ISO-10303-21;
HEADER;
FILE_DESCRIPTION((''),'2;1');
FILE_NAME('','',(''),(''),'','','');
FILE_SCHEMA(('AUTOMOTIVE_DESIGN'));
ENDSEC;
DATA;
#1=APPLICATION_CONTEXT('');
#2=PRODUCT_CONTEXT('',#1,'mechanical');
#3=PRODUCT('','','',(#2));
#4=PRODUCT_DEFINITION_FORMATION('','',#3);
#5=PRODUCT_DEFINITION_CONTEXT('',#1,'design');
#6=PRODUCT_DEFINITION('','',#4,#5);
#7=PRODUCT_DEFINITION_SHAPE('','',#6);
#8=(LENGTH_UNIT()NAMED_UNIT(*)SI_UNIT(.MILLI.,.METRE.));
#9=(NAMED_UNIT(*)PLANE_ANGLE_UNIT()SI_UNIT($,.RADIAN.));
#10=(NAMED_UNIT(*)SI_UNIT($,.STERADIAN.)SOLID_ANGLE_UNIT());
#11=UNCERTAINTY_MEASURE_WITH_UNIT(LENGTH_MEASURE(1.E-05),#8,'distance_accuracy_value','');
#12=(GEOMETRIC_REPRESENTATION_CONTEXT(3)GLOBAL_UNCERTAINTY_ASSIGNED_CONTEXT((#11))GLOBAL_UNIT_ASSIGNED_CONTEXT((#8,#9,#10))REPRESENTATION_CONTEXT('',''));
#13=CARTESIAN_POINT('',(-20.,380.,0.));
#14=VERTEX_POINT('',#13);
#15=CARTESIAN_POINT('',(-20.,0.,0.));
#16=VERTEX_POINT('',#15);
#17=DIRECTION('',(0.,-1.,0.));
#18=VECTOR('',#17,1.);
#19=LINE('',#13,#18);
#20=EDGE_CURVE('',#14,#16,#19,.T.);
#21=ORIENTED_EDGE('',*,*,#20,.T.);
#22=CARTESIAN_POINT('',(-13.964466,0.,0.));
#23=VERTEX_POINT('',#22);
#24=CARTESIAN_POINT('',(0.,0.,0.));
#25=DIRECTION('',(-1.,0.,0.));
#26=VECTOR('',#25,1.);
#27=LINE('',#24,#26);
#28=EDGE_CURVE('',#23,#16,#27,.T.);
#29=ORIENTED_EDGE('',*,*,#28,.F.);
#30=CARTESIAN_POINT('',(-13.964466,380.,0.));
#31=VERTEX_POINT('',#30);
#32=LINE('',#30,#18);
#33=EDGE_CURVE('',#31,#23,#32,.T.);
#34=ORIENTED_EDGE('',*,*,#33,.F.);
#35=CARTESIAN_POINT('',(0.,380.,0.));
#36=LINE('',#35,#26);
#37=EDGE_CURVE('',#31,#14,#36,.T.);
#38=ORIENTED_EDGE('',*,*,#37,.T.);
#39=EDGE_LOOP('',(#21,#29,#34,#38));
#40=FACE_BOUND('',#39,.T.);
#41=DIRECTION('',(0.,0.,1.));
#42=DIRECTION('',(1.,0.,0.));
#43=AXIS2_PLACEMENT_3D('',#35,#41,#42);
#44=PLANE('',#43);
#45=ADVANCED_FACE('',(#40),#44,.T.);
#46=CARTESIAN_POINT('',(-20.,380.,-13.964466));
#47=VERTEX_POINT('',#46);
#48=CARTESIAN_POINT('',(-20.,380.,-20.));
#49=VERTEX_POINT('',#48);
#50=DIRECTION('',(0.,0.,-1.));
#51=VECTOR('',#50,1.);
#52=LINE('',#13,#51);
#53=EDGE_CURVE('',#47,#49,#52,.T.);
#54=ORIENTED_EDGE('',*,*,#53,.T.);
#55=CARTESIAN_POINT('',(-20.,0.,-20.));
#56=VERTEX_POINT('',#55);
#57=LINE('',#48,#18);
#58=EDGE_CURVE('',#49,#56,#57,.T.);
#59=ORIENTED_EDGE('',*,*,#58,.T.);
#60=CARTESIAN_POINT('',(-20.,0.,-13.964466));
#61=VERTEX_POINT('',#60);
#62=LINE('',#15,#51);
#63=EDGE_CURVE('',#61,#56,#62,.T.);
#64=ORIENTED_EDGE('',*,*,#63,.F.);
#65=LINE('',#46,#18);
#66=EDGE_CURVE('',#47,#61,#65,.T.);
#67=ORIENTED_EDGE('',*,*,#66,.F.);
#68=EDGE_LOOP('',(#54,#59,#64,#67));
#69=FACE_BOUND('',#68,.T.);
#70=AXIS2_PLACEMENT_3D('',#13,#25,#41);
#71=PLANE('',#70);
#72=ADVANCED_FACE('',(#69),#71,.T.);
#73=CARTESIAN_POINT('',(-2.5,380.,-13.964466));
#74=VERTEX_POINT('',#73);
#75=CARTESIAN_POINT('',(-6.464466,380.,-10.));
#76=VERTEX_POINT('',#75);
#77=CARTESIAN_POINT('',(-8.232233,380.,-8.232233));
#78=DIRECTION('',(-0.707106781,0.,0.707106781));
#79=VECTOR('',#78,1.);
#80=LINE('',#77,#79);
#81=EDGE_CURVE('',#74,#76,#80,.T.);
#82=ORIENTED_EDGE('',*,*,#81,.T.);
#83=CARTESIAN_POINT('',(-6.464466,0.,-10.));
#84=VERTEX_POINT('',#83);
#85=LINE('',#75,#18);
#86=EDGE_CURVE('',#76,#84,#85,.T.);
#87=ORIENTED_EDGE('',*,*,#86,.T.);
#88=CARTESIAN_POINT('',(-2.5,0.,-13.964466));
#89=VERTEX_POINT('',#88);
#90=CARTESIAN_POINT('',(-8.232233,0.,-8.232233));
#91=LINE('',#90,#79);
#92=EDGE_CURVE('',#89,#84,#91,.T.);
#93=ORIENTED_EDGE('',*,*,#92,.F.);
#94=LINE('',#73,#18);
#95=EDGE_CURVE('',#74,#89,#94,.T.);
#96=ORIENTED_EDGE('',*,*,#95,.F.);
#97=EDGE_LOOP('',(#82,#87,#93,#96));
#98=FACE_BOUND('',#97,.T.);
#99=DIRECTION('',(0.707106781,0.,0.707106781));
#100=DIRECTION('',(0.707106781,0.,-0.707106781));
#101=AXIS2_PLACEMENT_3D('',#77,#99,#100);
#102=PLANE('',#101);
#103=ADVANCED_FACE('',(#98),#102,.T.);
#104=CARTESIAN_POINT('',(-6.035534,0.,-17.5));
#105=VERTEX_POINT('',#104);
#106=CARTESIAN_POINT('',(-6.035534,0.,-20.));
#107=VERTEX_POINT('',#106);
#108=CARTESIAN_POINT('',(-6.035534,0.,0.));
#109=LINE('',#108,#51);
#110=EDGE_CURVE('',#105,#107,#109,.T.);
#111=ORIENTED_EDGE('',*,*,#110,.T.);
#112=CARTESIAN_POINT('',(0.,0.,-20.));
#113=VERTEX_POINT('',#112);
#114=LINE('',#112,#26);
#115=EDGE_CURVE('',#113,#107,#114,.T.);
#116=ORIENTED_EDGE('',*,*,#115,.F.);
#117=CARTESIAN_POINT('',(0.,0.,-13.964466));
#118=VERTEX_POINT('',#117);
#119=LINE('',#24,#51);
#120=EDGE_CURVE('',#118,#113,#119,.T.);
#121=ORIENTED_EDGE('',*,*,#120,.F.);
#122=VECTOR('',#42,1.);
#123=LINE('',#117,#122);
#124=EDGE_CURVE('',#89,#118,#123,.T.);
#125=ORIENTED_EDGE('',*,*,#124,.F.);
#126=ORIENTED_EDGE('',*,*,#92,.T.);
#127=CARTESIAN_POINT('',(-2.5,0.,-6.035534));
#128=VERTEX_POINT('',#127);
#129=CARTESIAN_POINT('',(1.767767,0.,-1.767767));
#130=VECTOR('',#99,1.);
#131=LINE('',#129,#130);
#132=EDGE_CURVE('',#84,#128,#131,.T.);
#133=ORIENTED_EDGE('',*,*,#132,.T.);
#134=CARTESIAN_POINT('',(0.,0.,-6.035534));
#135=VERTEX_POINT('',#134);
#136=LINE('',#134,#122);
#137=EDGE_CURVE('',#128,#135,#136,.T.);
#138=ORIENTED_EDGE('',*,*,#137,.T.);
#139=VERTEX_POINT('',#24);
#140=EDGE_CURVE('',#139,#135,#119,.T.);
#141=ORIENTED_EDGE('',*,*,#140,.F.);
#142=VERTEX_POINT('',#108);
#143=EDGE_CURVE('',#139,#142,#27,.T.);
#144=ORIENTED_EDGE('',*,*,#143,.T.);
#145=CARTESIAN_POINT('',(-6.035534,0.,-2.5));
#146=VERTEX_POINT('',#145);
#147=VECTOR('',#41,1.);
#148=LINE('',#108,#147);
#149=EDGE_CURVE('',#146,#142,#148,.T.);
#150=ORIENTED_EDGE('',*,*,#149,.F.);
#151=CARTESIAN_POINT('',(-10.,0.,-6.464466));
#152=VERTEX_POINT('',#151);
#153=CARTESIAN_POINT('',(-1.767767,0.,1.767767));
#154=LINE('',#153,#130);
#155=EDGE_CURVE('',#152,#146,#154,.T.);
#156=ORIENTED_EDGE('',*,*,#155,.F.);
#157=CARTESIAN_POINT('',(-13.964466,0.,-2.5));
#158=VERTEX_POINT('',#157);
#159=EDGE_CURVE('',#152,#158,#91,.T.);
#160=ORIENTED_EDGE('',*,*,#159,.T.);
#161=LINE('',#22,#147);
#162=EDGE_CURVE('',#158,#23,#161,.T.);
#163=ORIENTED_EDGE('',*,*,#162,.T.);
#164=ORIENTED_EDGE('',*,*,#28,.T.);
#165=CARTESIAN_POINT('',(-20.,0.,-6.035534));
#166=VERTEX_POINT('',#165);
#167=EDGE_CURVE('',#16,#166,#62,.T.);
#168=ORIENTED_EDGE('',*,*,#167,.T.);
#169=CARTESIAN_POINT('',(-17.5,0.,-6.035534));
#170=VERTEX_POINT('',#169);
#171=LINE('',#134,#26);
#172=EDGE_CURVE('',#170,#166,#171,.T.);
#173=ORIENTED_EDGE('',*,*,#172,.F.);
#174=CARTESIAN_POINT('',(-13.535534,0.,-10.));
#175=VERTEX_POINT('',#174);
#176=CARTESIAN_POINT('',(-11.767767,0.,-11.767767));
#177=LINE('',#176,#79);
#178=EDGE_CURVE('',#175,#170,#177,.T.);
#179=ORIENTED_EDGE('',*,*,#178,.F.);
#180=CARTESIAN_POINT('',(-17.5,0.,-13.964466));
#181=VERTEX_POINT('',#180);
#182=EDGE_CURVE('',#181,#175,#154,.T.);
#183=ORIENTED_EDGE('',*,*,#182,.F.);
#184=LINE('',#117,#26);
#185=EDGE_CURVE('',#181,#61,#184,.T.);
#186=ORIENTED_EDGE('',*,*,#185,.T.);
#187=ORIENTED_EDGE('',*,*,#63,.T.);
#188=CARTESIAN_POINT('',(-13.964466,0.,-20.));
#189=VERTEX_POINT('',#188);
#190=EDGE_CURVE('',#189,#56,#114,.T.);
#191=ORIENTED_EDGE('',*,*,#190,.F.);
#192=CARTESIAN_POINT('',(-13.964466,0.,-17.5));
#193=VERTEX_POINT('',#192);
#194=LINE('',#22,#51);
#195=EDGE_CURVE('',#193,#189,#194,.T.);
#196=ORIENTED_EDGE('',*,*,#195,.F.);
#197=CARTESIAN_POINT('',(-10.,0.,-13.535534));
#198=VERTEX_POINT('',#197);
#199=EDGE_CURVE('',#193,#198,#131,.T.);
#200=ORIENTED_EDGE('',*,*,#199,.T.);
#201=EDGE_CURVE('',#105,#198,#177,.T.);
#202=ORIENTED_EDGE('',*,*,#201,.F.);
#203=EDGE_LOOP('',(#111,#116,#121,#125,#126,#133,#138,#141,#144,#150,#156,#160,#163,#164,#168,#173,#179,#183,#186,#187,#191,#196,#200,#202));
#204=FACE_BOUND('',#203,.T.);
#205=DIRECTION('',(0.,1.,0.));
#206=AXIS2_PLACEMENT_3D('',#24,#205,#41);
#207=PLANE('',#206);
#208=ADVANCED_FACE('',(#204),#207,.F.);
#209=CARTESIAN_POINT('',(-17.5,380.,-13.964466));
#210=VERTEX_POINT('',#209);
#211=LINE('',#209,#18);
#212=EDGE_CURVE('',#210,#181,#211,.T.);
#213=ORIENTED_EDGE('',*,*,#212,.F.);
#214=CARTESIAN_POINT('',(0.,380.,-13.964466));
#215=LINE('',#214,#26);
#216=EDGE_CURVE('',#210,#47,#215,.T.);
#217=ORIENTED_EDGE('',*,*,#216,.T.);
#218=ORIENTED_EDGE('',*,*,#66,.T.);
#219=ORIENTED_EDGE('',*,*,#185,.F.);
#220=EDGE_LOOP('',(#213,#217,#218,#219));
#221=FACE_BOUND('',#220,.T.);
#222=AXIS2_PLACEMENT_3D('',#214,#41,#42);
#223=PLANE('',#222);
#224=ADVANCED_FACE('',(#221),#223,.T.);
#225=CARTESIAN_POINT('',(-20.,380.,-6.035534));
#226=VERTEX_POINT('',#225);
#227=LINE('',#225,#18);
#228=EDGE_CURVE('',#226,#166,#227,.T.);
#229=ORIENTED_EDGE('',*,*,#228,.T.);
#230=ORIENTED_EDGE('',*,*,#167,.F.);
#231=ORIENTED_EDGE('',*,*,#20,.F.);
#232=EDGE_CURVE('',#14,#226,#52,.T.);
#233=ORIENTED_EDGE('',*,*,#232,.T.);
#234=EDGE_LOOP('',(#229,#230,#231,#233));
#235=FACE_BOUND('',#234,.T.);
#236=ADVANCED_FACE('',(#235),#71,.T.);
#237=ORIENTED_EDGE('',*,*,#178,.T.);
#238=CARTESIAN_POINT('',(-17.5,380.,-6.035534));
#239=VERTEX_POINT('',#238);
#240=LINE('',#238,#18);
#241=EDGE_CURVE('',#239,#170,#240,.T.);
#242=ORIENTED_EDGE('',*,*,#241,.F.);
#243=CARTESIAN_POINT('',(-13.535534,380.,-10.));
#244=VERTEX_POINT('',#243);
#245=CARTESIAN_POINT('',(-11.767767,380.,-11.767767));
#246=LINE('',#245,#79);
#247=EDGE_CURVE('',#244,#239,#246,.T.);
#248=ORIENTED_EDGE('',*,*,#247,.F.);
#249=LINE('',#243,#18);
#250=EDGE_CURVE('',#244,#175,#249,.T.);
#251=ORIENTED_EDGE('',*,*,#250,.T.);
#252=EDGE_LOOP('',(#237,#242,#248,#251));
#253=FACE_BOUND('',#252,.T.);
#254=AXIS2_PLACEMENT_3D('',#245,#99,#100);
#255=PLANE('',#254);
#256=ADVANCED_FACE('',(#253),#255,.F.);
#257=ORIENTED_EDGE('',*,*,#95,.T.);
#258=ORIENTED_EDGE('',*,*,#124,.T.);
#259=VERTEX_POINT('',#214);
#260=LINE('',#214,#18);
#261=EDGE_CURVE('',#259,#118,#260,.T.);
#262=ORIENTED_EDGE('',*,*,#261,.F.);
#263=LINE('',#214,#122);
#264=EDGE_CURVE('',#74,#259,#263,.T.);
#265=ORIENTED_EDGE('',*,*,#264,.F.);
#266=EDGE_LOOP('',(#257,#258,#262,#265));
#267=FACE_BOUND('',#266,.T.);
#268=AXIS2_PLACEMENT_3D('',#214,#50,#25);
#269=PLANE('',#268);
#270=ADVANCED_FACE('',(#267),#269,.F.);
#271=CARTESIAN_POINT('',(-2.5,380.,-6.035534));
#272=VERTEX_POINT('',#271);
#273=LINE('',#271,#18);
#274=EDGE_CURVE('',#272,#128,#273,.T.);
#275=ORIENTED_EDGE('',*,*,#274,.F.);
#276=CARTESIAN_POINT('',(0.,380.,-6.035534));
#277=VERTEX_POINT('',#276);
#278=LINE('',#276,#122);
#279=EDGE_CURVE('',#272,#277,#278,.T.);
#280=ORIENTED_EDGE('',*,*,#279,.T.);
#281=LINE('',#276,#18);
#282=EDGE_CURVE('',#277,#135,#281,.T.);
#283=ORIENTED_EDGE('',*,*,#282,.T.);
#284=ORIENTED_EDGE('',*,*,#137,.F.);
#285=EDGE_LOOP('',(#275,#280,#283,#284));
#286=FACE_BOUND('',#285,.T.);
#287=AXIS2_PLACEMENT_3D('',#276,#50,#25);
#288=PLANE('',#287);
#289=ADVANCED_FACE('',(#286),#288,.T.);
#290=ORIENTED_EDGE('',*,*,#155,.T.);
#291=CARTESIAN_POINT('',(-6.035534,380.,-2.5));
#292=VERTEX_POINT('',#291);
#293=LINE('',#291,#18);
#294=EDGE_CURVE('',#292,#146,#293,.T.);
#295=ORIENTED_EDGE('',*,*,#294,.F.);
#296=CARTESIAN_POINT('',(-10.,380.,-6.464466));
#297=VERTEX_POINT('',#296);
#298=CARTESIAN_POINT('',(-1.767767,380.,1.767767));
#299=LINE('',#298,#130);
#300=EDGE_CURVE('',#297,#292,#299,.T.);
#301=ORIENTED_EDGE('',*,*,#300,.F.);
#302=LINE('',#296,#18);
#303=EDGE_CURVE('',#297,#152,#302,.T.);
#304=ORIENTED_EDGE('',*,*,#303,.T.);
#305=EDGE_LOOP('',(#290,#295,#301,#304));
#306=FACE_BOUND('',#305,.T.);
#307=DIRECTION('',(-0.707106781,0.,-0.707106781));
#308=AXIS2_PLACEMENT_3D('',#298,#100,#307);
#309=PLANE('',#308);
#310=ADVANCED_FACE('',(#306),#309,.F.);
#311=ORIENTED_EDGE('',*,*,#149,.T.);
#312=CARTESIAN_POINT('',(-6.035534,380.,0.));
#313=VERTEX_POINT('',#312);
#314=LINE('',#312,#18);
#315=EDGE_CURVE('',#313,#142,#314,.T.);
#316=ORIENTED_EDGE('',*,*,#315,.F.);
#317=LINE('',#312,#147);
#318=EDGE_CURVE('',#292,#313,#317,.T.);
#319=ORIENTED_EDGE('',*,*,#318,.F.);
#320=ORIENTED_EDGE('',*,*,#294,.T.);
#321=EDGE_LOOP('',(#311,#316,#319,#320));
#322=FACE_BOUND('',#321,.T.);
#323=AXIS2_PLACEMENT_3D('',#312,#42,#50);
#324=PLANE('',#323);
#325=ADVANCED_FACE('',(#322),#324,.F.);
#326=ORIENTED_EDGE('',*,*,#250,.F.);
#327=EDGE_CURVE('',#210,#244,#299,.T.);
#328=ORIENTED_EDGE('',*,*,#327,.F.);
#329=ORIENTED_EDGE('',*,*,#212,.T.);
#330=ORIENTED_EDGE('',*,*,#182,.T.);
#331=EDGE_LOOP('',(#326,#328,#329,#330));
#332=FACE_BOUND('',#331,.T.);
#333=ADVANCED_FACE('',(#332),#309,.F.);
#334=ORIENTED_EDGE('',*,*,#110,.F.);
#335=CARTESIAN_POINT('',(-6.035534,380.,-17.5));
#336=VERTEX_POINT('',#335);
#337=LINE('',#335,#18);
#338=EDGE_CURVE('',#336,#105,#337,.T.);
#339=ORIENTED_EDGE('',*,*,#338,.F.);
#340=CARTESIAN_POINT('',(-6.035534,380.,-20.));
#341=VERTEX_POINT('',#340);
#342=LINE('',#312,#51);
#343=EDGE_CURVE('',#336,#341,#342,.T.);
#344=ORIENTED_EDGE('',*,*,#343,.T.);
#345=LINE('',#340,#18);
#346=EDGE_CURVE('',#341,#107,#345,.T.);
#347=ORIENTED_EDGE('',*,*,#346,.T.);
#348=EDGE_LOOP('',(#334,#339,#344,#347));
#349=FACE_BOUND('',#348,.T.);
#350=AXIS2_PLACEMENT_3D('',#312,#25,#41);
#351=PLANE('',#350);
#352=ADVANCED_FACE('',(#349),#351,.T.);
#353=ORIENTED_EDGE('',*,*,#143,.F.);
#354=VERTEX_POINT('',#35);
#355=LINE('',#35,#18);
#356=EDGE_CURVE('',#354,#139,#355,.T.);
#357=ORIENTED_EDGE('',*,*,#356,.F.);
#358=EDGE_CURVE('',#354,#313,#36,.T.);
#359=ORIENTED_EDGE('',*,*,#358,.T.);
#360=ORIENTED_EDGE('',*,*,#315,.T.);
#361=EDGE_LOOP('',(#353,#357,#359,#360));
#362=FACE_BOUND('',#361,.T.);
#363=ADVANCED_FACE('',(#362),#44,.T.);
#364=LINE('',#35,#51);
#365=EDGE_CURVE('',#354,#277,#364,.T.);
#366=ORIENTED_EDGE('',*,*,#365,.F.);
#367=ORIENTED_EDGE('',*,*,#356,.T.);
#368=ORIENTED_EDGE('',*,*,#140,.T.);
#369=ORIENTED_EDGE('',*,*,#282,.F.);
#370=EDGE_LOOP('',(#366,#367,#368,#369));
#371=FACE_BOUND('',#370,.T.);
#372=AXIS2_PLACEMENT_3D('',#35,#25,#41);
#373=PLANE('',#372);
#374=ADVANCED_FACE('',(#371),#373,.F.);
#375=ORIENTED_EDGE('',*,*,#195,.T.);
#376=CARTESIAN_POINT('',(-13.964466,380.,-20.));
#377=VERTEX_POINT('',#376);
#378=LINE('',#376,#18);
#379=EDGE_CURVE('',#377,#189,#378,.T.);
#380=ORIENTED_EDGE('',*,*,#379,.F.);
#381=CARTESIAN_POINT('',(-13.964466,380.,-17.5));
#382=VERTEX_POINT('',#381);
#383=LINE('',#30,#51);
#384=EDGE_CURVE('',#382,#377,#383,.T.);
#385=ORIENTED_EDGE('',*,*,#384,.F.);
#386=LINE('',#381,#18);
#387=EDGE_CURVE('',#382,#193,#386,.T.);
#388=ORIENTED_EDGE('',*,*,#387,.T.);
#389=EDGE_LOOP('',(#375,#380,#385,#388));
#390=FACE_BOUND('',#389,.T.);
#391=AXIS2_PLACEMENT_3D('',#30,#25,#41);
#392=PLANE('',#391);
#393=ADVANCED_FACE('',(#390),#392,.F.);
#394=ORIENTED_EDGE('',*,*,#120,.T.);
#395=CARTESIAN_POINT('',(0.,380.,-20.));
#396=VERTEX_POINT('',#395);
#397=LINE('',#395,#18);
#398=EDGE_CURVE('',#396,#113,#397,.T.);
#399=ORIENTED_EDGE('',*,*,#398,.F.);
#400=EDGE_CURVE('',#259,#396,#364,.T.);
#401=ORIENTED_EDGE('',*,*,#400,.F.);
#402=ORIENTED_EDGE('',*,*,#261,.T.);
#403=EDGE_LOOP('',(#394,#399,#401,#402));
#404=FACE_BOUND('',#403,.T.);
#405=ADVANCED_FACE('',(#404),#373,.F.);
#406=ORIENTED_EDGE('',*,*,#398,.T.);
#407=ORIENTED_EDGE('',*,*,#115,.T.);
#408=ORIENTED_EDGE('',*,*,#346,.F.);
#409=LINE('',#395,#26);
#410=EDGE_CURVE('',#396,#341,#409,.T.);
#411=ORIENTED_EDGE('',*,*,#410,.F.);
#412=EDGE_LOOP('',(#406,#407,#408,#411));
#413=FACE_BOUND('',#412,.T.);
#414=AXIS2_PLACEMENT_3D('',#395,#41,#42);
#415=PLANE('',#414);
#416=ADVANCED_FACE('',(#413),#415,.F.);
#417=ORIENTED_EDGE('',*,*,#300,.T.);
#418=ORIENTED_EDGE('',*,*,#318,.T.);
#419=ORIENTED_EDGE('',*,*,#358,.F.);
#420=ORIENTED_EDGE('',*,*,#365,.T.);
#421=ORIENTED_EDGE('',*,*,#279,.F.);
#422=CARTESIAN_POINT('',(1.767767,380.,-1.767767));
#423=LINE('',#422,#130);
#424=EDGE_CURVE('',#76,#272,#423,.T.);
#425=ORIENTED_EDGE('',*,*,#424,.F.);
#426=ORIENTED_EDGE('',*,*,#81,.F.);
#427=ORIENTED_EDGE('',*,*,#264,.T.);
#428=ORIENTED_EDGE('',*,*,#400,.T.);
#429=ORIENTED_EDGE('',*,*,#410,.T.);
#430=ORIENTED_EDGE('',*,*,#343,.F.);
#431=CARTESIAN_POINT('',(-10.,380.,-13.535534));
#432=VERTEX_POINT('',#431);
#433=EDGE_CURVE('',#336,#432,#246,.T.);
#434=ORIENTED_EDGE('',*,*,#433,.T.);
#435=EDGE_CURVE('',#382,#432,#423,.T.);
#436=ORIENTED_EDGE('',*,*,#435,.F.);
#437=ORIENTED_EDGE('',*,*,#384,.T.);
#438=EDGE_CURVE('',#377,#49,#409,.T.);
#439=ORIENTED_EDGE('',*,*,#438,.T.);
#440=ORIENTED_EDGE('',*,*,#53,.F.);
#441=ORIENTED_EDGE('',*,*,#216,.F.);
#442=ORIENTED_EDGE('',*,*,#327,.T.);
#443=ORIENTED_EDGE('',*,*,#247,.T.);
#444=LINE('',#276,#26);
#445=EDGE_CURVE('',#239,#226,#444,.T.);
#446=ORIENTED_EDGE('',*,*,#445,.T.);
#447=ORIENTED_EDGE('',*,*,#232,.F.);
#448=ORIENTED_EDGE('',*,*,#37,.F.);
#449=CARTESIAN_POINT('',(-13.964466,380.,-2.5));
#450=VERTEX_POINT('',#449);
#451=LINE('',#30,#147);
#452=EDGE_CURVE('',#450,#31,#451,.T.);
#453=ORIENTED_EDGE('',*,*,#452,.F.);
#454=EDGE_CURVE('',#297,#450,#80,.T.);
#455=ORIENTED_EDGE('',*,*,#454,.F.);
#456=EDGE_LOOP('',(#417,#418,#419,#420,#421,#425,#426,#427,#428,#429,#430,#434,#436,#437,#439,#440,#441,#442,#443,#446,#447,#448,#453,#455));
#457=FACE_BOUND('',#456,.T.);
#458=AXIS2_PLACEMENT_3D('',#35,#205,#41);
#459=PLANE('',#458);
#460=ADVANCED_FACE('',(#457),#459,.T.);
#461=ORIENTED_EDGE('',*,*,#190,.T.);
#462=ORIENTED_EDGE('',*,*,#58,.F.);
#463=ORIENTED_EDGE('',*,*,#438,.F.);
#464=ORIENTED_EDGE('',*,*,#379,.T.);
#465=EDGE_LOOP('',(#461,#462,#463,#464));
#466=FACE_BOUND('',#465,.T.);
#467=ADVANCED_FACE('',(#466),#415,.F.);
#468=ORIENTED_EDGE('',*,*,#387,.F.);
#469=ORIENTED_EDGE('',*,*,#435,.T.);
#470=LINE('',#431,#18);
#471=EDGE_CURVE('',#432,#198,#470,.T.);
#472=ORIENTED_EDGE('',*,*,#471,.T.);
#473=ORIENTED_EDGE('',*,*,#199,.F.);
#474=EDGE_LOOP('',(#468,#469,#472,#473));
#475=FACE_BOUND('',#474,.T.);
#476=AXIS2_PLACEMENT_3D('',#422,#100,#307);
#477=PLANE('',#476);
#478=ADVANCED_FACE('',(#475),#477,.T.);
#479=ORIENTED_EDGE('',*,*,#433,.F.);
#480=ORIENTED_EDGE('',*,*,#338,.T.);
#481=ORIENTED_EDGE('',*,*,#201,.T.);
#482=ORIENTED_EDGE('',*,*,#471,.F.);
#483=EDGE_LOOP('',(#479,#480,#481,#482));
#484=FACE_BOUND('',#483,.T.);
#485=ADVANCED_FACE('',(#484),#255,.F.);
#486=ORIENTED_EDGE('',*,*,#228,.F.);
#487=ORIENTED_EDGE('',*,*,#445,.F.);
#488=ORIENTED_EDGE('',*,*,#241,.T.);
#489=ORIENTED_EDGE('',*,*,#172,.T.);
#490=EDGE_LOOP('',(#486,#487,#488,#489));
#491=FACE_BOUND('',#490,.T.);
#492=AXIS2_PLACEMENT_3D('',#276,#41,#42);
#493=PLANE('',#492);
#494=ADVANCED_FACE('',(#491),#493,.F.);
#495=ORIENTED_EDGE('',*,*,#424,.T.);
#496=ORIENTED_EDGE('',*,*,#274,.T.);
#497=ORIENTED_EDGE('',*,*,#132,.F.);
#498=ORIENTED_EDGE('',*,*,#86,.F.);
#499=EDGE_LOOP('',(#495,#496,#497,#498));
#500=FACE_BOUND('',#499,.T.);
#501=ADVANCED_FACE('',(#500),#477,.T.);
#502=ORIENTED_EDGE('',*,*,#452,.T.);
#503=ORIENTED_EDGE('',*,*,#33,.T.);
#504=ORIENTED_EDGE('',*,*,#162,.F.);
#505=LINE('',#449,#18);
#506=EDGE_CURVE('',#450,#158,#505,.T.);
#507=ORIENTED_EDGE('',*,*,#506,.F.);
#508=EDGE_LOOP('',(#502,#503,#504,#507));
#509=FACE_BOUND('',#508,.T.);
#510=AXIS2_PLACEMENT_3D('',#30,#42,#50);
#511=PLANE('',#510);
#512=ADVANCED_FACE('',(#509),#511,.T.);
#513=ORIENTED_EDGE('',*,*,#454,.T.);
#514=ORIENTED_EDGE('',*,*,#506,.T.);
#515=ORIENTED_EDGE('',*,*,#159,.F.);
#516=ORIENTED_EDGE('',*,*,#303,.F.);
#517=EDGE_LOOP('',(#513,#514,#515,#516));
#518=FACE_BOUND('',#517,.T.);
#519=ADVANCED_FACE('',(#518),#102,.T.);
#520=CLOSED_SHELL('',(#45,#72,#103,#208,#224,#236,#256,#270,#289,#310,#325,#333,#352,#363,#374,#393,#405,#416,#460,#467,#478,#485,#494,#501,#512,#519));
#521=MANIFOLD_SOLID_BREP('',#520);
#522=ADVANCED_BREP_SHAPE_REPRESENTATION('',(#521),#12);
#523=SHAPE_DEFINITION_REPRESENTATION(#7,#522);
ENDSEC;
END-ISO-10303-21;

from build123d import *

# Parameters (mm, degrees)
BOSS_EXTRU_1_DEPTH = 380


with BuildPart() as part:
    # Esquisse1 → Boss.-Extru.1 (new body)
    with BuildSketch(Plane(origin=(0, 0, 0), x_dir=(1, 0, 0), z_dir=(0, 1, 0))):
        Polygon((-3.535533906, 0), (-6.035533906, 2.5), (-6.035533906, 0), align=None)
        Polygon((0, 3.535533906), (-2.5, 6.035533906), (-2.5, 2.5), (-6.035533906, 2.5), (-3.535533906, 0), (0, 0), align=None)
        Polygon((0, 6.035533906), (-2.5, 6.035533906), (0, 3.535533906), align=None)
        Polygon((-2.5, 2.5), (-2.5, 6.035533906), (-6.464466094, 10), (-10, 6.464466094), (-6.035533906, 2.5), align=None)
        Polygon((-13.964466094, 0), (-13.964466094, 2.5), (-16.464466094, 0), align=None)
        Polygon((-17.5, 2.5), (-17.5, 6.035533906), (-20, 3.535533906), (-20, 0), (-16.464466094, 0), (-13.964466094, 2.5), align=None)
        Polygon((-20, 3.535533906), (-17.5, 6.035533906), (-20, 6.035533906), align=None)
        Polygon((-10, 6.464466094), (-13.535533906, 10), (-17.5, 6.035533906), (-17.5, 2.5), (-13.964466094, 2.5), align=None)
        Polygon((-6.464466094, 10), (-10, 13.535533906), (-13.535533906, 10), (-10, 6.464466094), align=None)
        Polygon((-2.5, 13.964466094), (-2.5, 17.5), (-6.035533906, 17.5), (-10, 13.535533906), (-6.464466094, 10), align=None)
        Polygon((-6.035533906, 17.5), (-2.5, 17.5), (-2.5, 13.964466094), (0, 16.464466094), (0, 20), (-3.535533906, 20), align=None)
        Polygon((0, 16.464466094), (-2.5, 13.964466094), (0, 13.964466094), align=None)
        Polygon((-6.035533906, 20), (-6.035533906, 17.5), (-3.535533906, 20), align=None)
        Polygon((-16.464466094, 20), (-13.964466094, 17.5), (-13.964466094, 20), align=None)
        Polygon((-17.5, 17.5), (-13.964466094, 17.5), (-16.464466094, 20), (-20, 20), (-20, 16.464466094), (-17.5, 13.964466094), align=None)
        Polygon((-20, 13.964466094), (-17.5, 13.964466094), (-20, 16.464466094), align=None)
        Polygon((-10, 13.535533906), (-13.964466094, 17.5), (-17.5, 17.5), (-17.5, 13.964466094), (-13.535533906, 10), align=None)
    extrude(amount=BOSS_EXTRU_1_DEPTH)


solid = part.part
